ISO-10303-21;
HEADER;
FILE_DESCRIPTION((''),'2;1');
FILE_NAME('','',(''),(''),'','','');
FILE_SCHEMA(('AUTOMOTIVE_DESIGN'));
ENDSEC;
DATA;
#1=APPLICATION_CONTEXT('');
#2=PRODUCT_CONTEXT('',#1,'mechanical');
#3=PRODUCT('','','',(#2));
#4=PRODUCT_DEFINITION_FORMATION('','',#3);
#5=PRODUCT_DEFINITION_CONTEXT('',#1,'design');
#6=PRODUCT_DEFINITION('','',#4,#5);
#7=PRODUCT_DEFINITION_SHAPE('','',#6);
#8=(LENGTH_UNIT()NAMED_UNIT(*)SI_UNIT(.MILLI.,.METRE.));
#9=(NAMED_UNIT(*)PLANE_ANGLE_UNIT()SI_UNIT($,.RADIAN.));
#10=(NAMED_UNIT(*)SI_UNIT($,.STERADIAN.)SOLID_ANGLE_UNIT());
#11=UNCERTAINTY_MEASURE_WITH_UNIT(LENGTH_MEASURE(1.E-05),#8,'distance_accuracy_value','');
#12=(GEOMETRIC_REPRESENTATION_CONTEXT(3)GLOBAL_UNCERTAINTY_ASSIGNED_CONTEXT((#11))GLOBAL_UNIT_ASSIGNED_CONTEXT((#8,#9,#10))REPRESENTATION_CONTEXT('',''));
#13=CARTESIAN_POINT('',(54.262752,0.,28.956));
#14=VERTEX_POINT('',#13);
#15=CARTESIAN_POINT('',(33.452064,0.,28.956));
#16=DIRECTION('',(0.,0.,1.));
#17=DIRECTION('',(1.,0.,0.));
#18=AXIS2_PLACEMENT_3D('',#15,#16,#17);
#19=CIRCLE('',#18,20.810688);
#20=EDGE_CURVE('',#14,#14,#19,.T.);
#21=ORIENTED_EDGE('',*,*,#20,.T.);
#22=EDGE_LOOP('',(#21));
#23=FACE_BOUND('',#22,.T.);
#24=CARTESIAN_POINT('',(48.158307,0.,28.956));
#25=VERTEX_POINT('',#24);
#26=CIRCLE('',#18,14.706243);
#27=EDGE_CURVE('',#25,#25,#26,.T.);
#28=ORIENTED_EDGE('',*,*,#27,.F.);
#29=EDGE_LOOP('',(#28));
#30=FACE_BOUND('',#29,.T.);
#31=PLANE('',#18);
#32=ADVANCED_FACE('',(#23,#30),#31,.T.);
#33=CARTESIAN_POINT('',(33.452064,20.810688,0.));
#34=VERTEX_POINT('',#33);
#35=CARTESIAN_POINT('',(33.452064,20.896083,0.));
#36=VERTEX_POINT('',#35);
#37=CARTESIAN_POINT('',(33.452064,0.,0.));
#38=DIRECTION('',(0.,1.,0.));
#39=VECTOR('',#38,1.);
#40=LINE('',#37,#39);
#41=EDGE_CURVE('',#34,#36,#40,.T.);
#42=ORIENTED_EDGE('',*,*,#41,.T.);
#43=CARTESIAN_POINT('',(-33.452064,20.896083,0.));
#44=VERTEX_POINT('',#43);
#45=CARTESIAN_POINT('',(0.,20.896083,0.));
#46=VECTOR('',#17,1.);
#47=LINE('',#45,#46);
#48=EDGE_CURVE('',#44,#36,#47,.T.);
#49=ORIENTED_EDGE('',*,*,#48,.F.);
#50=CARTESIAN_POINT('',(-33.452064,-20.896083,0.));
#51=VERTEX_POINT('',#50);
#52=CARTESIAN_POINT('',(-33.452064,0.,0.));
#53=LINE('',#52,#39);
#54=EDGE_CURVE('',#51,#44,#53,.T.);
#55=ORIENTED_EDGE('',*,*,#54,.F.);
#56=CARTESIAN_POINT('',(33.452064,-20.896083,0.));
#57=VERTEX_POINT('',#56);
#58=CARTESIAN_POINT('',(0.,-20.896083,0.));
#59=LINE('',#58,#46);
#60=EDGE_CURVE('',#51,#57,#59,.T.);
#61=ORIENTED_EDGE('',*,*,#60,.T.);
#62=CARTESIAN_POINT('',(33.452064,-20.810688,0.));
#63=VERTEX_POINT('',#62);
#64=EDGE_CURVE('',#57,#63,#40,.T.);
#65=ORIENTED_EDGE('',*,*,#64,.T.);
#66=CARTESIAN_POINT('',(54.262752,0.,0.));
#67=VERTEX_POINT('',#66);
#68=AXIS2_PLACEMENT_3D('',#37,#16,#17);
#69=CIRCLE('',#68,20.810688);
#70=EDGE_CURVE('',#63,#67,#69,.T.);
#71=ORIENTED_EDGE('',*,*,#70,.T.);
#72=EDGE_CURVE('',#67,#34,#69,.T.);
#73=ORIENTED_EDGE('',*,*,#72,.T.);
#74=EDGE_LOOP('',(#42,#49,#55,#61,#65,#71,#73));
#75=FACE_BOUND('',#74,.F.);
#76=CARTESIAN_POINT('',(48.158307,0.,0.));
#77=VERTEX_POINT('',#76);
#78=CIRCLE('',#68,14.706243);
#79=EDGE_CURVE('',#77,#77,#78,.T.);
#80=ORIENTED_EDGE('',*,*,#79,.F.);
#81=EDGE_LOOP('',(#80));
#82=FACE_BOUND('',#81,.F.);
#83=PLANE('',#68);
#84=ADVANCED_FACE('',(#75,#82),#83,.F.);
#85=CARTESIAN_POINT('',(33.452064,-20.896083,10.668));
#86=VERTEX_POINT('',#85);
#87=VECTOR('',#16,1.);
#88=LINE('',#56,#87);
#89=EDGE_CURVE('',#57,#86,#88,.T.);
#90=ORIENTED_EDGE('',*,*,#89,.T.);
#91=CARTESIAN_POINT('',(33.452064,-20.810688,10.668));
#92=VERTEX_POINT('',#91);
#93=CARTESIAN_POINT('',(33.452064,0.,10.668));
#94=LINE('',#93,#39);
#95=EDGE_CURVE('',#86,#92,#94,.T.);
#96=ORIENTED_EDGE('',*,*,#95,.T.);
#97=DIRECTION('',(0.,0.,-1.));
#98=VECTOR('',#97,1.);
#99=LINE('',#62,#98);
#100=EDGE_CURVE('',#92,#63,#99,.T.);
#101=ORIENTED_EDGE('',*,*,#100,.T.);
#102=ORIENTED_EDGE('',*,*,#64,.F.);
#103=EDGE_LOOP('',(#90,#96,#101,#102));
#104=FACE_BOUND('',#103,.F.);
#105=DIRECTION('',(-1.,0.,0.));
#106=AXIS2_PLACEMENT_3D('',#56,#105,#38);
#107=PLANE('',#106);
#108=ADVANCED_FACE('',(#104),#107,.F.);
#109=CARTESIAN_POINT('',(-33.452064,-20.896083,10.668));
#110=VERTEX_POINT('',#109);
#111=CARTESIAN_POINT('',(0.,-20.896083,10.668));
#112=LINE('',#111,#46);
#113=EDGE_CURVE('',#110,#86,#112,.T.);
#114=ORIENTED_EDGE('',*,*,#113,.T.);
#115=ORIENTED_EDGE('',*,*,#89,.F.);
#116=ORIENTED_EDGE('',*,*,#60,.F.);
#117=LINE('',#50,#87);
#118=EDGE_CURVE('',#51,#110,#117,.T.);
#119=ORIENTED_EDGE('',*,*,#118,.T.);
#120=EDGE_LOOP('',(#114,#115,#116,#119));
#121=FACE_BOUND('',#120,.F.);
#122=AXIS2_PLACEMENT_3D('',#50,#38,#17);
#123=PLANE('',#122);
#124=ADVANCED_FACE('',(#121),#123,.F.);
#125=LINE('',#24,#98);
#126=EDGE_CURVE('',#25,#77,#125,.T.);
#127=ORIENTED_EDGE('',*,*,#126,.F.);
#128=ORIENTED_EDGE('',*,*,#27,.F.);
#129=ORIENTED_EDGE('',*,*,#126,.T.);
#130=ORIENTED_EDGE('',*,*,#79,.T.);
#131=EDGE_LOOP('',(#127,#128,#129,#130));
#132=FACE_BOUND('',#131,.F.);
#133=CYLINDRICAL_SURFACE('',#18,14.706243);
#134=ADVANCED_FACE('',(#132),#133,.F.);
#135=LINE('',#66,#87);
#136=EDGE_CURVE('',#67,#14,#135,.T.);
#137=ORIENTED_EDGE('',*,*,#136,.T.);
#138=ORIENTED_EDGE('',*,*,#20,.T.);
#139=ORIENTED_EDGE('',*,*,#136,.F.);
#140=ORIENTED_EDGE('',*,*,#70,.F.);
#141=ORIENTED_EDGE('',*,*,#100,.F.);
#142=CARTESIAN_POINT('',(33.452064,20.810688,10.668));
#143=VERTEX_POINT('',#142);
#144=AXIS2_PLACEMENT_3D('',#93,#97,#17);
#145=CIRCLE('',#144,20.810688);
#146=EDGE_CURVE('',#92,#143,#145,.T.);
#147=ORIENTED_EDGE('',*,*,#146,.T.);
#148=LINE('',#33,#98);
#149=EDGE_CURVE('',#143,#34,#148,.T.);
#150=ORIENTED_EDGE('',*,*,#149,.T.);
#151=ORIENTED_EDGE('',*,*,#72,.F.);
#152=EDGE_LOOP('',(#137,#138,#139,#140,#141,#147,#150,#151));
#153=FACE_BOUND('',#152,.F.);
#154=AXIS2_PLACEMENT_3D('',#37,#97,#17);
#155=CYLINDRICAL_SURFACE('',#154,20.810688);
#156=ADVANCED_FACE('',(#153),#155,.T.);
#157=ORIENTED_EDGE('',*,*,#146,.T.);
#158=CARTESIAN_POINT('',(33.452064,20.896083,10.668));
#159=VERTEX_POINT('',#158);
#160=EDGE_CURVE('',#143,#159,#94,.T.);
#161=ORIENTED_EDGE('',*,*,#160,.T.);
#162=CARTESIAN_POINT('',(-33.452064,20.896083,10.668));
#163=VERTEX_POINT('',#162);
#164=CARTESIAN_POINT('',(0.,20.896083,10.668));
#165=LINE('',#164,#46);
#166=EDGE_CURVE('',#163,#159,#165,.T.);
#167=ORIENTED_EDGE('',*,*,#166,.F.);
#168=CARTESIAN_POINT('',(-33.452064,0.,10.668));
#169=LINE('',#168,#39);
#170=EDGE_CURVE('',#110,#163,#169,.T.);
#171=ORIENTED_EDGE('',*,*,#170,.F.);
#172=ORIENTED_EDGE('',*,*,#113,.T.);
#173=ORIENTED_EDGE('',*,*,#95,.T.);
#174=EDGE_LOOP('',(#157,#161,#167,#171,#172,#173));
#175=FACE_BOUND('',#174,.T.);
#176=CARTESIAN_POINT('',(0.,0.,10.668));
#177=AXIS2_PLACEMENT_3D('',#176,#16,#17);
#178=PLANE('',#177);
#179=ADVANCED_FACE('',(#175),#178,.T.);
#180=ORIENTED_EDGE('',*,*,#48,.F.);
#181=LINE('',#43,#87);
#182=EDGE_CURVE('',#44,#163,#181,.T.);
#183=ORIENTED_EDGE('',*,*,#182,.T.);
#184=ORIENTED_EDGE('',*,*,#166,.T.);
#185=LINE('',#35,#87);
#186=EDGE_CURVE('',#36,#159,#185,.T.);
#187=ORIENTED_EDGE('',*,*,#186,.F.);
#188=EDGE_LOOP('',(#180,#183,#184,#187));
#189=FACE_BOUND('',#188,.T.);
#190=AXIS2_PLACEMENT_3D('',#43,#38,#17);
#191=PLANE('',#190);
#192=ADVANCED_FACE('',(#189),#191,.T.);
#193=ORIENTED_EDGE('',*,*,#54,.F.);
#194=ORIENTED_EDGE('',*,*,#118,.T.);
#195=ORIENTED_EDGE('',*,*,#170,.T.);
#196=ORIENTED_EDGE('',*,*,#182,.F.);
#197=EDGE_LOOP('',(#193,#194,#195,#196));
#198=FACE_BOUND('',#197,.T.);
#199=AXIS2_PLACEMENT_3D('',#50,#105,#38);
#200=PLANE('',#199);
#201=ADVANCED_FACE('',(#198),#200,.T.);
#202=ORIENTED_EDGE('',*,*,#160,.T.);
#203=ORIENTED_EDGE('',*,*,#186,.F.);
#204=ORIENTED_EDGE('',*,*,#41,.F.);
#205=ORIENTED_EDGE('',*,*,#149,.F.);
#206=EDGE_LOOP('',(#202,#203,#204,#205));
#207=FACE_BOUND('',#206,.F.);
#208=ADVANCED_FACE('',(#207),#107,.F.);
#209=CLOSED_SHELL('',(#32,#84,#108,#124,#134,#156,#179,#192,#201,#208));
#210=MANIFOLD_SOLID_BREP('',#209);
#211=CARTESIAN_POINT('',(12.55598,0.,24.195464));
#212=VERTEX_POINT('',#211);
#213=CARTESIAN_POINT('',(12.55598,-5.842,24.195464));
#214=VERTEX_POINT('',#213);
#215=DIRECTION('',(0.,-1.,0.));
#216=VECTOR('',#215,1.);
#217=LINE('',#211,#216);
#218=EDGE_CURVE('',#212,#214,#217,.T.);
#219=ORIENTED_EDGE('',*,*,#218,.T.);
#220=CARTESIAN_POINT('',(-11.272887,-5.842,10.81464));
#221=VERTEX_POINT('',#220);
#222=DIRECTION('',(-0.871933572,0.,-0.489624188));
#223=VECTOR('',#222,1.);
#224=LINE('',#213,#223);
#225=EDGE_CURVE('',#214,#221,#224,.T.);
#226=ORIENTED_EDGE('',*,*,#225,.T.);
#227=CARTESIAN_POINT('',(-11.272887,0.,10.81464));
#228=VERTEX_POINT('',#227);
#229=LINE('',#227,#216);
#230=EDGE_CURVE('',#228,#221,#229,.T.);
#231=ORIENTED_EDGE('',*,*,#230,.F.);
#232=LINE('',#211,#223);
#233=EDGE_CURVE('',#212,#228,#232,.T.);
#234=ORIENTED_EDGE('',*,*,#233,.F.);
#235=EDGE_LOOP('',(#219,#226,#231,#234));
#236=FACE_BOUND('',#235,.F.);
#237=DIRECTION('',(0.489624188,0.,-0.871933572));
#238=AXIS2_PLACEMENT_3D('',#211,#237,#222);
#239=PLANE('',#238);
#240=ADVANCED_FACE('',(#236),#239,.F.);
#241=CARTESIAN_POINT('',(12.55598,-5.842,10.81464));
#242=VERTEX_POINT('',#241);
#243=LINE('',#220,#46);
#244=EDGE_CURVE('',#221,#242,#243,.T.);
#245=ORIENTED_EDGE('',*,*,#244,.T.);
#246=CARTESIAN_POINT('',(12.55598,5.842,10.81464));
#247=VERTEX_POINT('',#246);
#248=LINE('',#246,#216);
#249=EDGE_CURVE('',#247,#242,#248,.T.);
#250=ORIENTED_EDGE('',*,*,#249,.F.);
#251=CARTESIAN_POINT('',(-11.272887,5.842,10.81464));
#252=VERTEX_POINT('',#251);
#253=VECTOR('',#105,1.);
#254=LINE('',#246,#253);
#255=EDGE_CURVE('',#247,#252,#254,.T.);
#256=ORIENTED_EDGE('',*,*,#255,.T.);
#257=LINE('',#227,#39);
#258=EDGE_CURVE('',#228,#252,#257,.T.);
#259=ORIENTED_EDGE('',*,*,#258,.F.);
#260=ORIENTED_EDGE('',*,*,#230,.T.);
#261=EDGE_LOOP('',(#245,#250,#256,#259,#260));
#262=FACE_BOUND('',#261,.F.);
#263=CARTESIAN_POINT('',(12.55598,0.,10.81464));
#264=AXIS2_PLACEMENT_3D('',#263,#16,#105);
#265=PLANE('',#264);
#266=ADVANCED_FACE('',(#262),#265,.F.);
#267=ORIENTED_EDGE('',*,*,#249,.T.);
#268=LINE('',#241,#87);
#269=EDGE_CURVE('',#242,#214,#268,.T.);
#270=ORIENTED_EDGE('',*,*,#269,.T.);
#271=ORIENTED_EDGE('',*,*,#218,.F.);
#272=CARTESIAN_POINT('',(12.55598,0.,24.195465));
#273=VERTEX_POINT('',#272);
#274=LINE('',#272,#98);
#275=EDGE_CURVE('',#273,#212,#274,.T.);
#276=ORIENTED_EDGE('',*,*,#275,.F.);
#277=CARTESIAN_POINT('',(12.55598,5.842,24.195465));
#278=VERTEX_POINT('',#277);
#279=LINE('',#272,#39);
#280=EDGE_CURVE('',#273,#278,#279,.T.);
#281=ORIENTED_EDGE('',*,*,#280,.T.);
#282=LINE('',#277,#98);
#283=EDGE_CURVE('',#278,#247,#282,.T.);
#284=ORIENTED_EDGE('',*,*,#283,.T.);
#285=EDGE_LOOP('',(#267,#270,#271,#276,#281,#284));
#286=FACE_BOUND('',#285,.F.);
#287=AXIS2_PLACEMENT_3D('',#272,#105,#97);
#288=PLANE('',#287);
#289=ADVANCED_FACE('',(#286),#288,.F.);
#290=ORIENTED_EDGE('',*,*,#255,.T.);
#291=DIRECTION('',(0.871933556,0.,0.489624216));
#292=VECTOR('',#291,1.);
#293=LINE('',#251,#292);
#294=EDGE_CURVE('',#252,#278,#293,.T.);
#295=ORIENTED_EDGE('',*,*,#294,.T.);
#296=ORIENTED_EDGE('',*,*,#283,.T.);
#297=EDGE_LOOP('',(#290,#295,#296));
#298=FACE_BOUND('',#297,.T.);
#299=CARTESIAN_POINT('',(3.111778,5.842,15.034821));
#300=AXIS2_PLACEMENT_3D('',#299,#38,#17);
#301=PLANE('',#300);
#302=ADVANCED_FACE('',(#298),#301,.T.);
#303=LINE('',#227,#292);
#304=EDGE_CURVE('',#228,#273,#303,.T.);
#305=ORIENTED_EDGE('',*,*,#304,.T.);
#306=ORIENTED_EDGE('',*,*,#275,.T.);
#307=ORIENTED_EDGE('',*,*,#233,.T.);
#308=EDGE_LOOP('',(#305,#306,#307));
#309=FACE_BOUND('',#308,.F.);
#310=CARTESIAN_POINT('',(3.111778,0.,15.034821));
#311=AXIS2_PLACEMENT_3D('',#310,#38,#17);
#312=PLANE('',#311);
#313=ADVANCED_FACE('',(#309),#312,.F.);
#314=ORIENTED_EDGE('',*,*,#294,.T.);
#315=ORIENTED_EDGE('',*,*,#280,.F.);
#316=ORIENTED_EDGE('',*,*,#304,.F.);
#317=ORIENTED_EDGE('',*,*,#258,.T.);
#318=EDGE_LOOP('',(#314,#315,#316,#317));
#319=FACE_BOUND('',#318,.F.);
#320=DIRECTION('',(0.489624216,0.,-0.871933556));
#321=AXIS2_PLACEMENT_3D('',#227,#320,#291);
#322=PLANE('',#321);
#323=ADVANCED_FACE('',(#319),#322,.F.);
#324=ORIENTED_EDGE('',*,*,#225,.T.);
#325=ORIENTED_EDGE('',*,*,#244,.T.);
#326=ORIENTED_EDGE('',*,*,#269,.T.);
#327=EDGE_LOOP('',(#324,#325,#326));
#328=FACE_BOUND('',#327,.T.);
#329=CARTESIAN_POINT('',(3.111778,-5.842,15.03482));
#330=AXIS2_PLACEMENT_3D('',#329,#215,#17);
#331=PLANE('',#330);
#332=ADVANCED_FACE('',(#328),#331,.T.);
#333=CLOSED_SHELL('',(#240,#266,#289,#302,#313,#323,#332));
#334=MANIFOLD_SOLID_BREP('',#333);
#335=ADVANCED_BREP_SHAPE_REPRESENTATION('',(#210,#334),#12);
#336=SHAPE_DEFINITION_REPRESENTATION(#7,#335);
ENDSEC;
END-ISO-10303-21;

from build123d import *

# Parameters (mm, degrees)
F0_W     = 66.904128
F0_H     = 41.792166
F2_DEPTH = 10.668
F1_R     = 20.810688
F3_DEPTH = 28.956
F4_R     = 14.706243
F5_DEPTH = 65.024
F7_DEPTH = 5.842
F8_DEPTH = 5.842


with BuildPart() as f2:
    # F0 (on Top) → F2 (new body)
    with BuildSketch(Plane.XY):
        Rectangle(F0_W, F0_H)
    extrude(amount=F2_DEPTH)

    # F1 (on Top) → F3 (join)
    with BuildSketch(Plane.XY):
        with Locations((33.452064, 0)):
            Circle(F1_R)
    extrude(amount=F3_DEPTH)

    # F4 (on face) → F5 (cut)
    with BuildSketch(Plane.XY.offset(28.956)):
        with Locations((33.452064, 0)):
            Circle(F4_R)
    extrude(amount=-F5_DEPTH, mode=Mode.SUBTRACT)


with BuildPart() as f7:
    # F6 (on Front) → F7 (new body)
    with BuildSketch(Plane.XZ):
        Polygon((12.55598, 10.81464), (12.55598, 24.195464), (-11.272887, 10.81464), align=None)
    extrude(amount=F7_DEPTH)

    # F7_face (on face) → F8 (join)
    with BuildSketch(Plane(origin=(4.613024, 0, 15.274915), x_dir=(1, 0, 0), z_dir=(0, 1, 0))):
        Polygon((7.942956, 4.460275), (-15.885911, 4.460275), (7.942956, -8.92055), align=None)
    extrude(amount=F8_DEPTH)


solid = Compound([f2.part, f7.part])
